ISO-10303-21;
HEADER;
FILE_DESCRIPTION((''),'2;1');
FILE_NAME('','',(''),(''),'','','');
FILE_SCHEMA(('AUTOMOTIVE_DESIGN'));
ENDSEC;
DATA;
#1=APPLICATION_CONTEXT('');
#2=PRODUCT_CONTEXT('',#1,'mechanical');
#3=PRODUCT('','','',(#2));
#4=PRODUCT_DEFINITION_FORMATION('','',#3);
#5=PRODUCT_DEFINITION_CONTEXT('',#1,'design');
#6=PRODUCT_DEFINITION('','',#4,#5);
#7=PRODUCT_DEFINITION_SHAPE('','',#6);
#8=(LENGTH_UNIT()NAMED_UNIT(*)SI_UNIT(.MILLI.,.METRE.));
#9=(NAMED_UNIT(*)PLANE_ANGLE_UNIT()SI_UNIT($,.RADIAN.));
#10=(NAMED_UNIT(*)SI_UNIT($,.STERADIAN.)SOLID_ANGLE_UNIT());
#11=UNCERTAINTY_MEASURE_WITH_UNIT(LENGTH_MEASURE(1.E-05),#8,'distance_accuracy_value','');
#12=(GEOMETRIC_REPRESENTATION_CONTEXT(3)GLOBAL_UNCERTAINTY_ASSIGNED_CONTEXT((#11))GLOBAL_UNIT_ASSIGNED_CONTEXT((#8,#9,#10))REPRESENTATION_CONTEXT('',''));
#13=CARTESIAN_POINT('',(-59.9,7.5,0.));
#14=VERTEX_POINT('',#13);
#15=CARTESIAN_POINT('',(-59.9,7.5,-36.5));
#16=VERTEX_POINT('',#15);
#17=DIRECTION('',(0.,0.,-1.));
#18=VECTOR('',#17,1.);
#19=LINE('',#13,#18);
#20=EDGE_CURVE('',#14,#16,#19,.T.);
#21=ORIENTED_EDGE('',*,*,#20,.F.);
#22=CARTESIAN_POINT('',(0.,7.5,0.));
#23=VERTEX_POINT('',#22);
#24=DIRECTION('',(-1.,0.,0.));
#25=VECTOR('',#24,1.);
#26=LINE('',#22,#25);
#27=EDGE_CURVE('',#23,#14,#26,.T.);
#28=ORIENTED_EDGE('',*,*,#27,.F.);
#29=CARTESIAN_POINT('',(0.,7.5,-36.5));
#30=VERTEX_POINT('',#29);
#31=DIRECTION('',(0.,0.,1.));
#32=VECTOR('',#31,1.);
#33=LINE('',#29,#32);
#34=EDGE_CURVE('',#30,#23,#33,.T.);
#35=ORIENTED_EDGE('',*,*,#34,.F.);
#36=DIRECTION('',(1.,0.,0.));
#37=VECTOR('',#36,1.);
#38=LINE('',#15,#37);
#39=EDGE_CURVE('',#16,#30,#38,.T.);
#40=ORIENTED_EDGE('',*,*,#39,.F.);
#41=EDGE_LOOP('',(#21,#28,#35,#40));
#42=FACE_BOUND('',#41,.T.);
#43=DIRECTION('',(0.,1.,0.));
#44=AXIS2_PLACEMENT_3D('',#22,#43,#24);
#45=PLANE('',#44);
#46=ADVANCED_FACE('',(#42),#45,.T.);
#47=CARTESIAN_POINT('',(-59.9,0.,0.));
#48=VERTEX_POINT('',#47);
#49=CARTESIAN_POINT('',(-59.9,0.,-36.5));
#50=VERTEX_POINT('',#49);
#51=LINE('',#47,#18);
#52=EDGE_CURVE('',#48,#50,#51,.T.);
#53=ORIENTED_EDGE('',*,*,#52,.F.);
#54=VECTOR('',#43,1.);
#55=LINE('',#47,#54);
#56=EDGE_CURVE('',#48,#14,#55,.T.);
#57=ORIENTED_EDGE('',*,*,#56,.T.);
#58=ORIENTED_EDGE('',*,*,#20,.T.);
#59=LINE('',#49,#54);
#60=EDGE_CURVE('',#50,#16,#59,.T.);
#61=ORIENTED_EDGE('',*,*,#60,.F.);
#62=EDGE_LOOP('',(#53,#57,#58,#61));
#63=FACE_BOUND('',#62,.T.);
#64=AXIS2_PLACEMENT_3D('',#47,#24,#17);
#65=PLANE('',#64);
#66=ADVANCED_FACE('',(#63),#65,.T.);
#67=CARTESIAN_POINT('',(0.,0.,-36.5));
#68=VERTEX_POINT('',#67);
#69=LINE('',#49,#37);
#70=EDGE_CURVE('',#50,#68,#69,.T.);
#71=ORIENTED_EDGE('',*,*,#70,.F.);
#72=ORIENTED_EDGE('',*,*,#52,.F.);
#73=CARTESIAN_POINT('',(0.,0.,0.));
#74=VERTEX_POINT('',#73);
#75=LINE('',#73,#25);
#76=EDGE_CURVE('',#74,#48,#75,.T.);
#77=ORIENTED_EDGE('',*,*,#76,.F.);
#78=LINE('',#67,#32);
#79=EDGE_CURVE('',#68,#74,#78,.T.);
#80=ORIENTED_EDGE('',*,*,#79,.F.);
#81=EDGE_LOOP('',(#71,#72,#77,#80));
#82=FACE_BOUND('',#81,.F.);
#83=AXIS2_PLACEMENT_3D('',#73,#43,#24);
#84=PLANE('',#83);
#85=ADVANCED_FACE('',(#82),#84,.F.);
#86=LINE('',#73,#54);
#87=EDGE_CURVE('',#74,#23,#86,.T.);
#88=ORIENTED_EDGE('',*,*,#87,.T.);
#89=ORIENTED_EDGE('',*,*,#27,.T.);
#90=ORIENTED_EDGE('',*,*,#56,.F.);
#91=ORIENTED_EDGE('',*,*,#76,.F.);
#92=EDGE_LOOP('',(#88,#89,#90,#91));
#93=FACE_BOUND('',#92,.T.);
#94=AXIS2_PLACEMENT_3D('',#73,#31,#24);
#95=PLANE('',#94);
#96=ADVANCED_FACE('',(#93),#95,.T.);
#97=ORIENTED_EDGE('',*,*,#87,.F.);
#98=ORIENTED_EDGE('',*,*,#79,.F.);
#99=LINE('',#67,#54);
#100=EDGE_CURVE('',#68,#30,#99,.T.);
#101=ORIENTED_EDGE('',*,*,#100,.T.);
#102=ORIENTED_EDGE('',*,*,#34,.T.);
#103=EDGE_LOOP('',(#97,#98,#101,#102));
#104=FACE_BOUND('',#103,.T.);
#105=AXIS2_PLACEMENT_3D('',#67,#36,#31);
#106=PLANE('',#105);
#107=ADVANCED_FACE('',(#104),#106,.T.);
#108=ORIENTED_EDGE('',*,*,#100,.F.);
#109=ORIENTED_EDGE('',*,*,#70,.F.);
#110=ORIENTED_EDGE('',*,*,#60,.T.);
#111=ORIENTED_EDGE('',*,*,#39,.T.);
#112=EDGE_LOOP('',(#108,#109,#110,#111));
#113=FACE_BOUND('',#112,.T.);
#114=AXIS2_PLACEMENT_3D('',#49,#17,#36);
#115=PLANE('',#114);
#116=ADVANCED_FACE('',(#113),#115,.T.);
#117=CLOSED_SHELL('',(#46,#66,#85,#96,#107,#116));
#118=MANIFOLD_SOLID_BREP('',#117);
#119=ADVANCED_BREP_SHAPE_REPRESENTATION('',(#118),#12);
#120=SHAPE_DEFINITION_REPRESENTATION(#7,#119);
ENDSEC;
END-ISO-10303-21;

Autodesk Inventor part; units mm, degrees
ref_plane "YZ Plane" through (0, 0, 0) normal (1, 0, 0) x (0, 1, 0)
ref_plane "XZ Plane" through (0, 0, 0) normal (0, 1, 0) x (-1, 0, 0)
ref_plane "XY Plane" through (0, 0, 0) normal (0, 0, 1) x (1, 0, 0)
sketch "Sketch1" plane through (0, 0, 0) normal (0, 1, 0) x (-1, 0, 0)
  line L0 (0, 0) -> (59.9, 0)
  line L1 (59.9, 0) -> (59.9, -36.5)
  line L2 (59.9, -36.5) -> (0, -36.5)
  line L3 (0, -36.5) -> (0, 0)
  dimension "d0" = 36.5
  dimension "d1" = 59.9
extrude "Extrusion1" add sketch "Sketch1" along normal blind 7.5
properties part number "2k mah battery footprint"
